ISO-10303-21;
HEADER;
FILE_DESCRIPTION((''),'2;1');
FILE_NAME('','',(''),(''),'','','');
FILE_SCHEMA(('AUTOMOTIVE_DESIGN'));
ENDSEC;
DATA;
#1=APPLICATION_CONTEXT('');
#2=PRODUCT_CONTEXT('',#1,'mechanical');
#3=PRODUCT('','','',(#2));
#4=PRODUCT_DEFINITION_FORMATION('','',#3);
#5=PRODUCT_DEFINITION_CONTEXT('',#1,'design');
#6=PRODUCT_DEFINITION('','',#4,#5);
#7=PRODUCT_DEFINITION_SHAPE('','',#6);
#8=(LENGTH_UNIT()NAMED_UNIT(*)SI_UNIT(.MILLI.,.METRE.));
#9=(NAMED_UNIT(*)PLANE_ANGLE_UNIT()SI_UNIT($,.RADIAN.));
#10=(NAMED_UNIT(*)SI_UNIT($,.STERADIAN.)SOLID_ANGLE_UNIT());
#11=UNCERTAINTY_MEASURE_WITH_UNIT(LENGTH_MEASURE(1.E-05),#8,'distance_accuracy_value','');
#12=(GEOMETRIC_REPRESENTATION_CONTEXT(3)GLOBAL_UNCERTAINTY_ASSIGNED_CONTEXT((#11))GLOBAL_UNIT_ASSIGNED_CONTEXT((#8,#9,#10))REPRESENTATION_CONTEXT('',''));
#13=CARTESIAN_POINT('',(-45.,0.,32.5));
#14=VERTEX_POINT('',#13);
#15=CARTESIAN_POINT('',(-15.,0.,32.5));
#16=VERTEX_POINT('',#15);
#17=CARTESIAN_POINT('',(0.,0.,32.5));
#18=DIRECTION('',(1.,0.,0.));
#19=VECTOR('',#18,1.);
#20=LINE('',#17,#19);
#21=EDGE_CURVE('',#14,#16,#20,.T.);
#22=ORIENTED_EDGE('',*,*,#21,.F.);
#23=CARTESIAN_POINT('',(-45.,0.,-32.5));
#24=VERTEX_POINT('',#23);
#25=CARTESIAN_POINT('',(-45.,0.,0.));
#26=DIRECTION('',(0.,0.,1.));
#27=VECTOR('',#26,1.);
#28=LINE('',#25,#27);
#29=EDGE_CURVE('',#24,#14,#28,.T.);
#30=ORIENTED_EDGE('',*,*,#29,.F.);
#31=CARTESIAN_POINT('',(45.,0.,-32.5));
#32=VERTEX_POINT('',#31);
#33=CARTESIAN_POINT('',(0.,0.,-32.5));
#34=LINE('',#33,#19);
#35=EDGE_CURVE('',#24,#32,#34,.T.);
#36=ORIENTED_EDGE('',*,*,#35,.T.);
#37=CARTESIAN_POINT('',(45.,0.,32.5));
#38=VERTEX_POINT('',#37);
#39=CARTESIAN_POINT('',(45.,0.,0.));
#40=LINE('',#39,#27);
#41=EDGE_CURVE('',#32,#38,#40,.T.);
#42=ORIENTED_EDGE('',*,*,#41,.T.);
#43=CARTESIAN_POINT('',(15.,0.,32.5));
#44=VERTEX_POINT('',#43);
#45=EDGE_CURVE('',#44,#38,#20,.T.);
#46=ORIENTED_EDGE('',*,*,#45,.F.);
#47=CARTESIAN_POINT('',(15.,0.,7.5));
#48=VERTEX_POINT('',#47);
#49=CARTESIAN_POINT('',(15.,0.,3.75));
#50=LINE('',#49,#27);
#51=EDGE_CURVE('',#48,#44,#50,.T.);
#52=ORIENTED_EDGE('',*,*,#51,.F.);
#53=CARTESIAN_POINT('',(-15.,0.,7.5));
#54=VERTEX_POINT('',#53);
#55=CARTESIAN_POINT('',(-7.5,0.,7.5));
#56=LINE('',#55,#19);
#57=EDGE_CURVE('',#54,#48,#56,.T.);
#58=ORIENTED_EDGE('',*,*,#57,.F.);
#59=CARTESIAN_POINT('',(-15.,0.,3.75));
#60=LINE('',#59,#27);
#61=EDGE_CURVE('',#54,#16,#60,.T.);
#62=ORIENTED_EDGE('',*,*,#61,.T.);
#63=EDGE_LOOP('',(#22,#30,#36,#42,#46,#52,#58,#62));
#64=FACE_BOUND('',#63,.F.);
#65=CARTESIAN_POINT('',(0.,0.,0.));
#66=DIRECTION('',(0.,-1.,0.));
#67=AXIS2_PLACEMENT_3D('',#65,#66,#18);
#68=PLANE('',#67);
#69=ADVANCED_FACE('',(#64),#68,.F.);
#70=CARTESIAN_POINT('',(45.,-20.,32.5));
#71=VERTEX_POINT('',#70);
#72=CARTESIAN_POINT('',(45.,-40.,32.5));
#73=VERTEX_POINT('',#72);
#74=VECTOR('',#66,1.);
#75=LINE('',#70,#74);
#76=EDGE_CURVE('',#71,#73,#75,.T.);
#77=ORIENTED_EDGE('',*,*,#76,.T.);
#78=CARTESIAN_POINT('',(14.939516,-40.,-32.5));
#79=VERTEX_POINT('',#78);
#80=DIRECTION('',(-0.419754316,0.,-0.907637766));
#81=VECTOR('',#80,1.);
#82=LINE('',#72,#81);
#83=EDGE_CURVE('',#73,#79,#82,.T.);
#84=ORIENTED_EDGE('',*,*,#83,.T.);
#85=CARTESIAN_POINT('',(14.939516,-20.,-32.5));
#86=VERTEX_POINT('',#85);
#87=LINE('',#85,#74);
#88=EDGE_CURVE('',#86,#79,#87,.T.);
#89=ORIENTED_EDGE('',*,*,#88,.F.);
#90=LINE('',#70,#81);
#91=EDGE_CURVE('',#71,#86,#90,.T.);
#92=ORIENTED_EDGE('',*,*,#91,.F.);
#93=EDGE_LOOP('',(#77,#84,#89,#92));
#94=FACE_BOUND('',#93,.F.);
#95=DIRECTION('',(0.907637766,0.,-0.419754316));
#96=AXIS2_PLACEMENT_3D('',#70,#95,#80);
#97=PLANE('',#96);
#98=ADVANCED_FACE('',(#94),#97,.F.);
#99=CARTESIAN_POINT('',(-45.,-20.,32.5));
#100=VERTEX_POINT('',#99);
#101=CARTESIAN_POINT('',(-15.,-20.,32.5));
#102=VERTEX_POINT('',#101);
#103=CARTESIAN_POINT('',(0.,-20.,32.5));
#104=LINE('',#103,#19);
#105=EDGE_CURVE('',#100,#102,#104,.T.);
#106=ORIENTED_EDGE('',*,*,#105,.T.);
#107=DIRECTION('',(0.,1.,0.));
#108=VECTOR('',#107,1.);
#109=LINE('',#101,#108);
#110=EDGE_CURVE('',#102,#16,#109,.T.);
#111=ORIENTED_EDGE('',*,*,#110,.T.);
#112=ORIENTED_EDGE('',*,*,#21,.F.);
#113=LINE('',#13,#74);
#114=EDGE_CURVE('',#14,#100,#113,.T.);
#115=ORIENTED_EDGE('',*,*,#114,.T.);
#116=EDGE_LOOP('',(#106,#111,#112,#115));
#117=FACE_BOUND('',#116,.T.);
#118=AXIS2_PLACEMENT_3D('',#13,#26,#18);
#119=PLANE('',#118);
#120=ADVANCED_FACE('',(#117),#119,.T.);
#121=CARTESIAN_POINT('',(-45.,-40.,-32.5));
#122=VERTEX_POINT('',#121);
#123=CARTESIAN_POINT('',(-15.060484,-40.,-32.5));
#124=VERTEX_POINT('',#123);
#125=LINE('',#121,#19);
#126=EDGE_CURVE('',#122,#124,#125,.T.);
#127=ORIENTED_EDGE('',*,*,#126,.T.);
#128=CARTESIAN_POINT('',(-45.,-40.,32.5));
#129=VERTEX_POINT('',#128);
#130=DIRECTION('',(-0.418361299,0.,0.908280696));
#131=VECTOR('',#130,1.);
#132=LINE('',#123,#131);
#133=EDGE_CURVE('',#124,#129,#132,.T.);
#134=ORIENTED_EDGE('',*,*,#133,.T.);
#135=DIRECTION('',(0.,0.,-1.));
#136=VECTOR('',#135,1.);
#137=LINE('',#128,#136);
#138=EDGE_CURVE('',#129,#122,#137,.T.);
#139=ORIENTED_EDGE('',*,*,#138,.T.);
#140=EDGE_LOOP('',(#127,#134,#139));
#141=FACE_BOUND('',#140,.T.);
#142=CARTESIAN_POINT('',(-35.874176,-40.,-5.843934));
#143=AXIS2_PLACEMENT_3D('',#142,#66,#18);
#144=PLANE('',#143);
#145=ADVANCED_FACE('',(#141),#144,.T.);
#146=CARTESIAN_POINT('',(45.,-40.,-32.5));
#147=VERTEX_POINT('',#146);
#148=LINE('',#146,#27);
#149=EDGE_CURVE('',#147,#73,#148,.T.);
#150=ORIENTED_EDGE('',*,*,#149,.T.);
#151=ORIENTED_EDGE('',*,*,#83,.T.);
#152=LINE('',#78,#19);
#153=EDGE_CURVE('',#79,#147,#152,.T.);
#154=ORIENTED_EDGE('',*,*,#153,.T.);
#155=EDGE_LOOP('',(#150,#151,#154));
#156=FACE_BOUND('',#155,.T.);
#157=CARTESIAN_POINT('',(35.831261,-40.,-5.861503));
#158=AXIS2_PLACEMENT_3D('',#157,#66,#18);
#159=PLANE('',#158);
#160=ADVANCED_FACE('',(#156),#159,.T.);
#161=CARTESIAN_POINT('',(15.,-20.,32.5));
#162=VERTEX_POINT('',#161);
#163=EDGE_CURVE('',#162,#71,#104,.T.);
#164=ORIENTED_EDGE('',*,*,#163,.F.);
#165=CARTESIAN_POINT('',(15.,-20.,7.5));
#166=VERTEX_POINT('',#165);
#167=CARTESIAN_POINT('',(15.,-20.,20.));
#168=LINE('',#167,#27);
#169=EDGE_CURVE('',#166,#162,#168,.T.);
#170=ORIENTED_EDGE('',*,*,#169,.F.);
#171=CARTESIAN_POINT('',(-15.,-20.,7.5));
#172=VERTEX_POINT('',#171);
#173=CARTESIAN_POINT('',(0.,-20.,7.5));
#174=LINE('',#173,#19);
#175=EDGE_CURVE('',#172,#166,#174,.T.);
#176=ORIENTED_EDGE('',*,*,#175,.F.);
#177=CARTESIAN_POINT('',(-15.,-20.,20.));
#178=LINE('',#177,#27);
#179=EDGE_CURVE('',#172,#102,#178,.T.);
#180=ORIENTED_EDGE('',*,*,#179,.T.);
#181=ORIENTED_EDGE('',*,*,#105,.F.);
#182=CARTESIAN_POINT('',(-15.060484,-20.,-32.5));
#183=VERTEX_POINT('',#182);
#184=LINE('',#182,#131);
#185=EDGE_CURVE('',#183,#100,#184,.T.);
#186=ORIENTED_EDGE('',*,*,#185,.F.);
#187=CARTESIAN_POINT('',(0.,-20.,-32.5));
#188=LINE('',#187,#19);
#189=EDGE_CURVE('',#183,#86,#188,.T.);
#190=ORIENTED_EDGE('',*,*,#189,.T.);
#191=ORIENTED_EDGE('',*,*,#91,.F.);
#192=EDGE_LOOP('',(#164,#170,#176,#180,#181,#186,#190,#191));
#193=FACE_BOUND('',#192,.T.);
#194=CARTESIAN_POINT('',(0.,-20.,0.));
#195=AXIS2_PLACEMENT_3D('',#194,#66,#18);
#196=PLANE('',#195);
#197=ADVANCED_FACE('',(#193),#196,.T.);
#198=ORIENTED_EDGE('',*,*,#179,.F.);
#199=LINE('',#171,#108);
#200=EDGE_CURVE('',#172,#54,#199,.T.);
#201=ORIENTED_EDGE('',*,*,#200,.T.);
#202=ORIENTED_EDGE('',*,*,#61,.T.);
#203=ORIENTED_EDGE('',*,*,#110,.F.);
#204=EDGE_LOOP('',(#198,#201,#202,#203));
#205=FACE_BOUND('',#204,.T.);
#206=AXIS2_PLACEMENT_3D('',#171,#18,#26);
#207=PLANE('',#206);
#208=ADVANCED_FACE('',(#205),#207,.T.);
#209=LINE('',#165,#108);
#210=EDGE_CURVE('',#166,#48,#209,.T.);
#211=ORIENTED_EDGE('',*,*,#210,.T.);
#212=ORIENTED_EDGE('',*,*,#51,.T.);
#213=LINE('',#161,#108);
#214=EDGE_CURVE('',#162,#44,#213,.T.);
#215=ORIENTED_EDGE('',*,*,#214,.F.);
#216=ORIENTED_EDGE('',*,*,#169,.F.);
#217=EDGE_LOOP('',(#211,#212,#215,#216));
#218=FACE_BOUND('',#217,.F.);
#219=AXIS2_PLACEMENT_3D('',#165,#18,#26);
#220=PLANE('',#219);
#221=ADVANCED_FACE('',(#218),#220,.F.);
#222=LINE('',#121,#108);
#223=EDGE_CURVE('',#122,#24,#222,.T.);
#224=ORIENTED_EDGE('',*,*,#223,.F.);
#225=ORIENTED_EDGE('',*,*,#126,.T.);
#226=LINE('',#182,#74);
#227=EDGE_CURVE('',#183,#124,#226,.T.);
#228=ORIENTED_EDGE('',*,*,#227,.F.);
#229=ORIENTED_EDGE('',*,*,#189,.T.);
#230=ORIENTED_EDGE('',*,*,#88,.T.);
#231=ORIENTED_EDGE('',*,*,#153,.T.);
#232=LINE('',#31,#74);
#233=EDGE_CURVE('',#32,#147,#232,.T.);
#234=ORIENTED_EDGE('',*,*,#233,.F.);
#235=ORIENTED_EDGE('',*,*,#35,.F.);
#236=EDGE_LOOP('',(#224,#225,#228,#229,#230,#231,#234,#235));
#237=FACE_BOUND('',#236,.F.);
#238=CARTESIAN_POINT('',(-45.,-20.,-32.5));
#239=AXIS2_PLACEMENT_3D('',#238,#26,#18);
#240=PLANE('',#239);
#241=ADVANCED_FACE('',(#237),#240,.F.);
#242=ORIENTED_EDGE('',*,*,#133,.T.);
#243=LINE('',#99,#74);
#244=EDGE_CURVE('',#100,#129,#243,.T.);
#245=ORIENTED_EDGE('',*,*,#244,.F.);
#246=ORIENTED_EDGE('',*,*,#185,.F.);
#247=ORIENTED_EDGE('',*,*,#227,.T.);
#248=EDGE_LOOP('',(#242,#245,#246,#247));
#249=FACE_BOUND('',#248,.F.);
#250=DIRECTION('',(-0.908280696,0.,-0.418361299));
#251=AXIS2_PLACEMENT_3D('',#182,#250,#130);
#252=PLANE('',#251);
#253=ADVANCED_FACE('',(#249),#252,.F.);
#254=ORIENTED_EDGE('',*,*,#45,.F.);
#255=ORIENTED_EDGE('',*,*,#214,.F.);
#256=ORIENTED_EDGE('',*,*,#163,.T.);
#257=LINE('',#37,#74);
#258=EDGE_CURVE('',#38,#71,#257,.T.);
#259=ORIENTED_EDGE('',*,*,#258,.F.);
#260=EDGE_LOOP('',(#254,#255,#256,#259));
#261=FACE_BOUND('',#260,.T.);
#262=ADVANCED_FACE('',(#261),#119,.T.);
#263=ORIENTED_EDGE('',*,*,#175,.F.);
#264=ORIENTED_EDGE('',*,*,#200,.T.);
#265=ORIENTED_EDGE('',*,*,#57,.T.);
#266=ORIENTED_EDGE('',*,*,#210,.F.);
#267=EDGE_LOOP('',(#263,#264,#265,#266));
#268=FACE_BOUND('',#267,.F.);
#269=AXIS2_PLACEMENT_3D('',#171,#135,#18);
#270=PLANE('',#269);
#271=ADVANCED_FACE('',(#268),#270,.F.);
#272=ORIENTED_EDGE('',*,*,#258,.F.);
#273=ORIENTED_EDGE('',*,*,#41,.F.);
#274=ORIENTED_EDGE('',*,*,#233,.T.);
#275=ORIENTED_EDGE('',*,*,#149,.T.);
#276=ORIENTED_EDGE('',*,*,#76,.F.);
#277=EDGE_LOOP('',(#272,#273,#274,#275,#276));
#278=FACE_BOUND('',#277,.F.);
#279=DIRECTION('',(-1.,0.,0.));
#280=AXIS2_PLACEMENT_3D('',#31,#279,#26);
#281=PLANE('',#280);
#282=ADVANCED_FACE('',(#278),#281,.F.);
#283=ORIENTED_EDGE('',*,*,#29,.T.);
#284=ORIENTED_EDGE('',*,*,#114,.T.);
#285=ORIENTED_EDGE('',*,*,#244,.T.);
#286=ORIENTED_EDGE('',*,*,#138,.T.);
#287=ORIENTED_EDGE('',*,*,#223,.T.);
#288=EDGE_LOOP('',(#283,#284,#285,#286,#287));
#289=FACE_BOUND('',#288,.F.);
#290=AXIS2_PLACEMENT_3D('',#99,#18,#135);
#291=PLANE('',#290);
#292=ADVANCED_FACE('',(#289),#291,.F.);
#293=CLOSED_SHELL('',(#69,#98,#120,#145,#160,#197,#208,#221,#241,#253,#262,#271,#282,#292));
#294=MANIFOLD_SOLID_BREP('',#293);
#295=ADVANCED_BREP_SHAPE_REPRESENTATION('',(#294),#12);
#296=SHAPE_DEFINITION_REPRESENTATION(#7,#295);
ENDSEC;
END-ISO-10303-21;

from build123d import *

# Parameters (mm, degrees)
F0_W     = 90
F0_H     = 65
F1_DEPTH = 20
F2_W     = 30
F2_H     = 25
F3_DEPTH = 20.001
F5_DEPTH = 20


with BuildPart() as f1:
    # F0 (on Front) → F1 (new body)
    with BuildSketch(Plane.XZ):
        Rectangle(F0_W, F0_H)
    extrude(amount=F1_DEPTH)

    # F2 (on face) → F3 (cut, through all)
    with BuildSketch(Plane.XZ.offset(20)):
        with Locations((0, 20)):
            Rectangle(F2_W, F2_H)
    extrude(amount=-F3_DEPTH, mode=Mode.SUBTRACT)

    # F4 (on face) → F5 (join)
    with BuildSketch(Plane.XZ.offset(20)):
        Polygon((-15.060484, -32.5), (-45, 32.5), (-45, -32.5), align=None)
        Polygon((45, 32.5), (14.939516, -32.5), (45, -32.5), align=None)
    extrude(amount=F5_DEPTH)


solid = f1.part
